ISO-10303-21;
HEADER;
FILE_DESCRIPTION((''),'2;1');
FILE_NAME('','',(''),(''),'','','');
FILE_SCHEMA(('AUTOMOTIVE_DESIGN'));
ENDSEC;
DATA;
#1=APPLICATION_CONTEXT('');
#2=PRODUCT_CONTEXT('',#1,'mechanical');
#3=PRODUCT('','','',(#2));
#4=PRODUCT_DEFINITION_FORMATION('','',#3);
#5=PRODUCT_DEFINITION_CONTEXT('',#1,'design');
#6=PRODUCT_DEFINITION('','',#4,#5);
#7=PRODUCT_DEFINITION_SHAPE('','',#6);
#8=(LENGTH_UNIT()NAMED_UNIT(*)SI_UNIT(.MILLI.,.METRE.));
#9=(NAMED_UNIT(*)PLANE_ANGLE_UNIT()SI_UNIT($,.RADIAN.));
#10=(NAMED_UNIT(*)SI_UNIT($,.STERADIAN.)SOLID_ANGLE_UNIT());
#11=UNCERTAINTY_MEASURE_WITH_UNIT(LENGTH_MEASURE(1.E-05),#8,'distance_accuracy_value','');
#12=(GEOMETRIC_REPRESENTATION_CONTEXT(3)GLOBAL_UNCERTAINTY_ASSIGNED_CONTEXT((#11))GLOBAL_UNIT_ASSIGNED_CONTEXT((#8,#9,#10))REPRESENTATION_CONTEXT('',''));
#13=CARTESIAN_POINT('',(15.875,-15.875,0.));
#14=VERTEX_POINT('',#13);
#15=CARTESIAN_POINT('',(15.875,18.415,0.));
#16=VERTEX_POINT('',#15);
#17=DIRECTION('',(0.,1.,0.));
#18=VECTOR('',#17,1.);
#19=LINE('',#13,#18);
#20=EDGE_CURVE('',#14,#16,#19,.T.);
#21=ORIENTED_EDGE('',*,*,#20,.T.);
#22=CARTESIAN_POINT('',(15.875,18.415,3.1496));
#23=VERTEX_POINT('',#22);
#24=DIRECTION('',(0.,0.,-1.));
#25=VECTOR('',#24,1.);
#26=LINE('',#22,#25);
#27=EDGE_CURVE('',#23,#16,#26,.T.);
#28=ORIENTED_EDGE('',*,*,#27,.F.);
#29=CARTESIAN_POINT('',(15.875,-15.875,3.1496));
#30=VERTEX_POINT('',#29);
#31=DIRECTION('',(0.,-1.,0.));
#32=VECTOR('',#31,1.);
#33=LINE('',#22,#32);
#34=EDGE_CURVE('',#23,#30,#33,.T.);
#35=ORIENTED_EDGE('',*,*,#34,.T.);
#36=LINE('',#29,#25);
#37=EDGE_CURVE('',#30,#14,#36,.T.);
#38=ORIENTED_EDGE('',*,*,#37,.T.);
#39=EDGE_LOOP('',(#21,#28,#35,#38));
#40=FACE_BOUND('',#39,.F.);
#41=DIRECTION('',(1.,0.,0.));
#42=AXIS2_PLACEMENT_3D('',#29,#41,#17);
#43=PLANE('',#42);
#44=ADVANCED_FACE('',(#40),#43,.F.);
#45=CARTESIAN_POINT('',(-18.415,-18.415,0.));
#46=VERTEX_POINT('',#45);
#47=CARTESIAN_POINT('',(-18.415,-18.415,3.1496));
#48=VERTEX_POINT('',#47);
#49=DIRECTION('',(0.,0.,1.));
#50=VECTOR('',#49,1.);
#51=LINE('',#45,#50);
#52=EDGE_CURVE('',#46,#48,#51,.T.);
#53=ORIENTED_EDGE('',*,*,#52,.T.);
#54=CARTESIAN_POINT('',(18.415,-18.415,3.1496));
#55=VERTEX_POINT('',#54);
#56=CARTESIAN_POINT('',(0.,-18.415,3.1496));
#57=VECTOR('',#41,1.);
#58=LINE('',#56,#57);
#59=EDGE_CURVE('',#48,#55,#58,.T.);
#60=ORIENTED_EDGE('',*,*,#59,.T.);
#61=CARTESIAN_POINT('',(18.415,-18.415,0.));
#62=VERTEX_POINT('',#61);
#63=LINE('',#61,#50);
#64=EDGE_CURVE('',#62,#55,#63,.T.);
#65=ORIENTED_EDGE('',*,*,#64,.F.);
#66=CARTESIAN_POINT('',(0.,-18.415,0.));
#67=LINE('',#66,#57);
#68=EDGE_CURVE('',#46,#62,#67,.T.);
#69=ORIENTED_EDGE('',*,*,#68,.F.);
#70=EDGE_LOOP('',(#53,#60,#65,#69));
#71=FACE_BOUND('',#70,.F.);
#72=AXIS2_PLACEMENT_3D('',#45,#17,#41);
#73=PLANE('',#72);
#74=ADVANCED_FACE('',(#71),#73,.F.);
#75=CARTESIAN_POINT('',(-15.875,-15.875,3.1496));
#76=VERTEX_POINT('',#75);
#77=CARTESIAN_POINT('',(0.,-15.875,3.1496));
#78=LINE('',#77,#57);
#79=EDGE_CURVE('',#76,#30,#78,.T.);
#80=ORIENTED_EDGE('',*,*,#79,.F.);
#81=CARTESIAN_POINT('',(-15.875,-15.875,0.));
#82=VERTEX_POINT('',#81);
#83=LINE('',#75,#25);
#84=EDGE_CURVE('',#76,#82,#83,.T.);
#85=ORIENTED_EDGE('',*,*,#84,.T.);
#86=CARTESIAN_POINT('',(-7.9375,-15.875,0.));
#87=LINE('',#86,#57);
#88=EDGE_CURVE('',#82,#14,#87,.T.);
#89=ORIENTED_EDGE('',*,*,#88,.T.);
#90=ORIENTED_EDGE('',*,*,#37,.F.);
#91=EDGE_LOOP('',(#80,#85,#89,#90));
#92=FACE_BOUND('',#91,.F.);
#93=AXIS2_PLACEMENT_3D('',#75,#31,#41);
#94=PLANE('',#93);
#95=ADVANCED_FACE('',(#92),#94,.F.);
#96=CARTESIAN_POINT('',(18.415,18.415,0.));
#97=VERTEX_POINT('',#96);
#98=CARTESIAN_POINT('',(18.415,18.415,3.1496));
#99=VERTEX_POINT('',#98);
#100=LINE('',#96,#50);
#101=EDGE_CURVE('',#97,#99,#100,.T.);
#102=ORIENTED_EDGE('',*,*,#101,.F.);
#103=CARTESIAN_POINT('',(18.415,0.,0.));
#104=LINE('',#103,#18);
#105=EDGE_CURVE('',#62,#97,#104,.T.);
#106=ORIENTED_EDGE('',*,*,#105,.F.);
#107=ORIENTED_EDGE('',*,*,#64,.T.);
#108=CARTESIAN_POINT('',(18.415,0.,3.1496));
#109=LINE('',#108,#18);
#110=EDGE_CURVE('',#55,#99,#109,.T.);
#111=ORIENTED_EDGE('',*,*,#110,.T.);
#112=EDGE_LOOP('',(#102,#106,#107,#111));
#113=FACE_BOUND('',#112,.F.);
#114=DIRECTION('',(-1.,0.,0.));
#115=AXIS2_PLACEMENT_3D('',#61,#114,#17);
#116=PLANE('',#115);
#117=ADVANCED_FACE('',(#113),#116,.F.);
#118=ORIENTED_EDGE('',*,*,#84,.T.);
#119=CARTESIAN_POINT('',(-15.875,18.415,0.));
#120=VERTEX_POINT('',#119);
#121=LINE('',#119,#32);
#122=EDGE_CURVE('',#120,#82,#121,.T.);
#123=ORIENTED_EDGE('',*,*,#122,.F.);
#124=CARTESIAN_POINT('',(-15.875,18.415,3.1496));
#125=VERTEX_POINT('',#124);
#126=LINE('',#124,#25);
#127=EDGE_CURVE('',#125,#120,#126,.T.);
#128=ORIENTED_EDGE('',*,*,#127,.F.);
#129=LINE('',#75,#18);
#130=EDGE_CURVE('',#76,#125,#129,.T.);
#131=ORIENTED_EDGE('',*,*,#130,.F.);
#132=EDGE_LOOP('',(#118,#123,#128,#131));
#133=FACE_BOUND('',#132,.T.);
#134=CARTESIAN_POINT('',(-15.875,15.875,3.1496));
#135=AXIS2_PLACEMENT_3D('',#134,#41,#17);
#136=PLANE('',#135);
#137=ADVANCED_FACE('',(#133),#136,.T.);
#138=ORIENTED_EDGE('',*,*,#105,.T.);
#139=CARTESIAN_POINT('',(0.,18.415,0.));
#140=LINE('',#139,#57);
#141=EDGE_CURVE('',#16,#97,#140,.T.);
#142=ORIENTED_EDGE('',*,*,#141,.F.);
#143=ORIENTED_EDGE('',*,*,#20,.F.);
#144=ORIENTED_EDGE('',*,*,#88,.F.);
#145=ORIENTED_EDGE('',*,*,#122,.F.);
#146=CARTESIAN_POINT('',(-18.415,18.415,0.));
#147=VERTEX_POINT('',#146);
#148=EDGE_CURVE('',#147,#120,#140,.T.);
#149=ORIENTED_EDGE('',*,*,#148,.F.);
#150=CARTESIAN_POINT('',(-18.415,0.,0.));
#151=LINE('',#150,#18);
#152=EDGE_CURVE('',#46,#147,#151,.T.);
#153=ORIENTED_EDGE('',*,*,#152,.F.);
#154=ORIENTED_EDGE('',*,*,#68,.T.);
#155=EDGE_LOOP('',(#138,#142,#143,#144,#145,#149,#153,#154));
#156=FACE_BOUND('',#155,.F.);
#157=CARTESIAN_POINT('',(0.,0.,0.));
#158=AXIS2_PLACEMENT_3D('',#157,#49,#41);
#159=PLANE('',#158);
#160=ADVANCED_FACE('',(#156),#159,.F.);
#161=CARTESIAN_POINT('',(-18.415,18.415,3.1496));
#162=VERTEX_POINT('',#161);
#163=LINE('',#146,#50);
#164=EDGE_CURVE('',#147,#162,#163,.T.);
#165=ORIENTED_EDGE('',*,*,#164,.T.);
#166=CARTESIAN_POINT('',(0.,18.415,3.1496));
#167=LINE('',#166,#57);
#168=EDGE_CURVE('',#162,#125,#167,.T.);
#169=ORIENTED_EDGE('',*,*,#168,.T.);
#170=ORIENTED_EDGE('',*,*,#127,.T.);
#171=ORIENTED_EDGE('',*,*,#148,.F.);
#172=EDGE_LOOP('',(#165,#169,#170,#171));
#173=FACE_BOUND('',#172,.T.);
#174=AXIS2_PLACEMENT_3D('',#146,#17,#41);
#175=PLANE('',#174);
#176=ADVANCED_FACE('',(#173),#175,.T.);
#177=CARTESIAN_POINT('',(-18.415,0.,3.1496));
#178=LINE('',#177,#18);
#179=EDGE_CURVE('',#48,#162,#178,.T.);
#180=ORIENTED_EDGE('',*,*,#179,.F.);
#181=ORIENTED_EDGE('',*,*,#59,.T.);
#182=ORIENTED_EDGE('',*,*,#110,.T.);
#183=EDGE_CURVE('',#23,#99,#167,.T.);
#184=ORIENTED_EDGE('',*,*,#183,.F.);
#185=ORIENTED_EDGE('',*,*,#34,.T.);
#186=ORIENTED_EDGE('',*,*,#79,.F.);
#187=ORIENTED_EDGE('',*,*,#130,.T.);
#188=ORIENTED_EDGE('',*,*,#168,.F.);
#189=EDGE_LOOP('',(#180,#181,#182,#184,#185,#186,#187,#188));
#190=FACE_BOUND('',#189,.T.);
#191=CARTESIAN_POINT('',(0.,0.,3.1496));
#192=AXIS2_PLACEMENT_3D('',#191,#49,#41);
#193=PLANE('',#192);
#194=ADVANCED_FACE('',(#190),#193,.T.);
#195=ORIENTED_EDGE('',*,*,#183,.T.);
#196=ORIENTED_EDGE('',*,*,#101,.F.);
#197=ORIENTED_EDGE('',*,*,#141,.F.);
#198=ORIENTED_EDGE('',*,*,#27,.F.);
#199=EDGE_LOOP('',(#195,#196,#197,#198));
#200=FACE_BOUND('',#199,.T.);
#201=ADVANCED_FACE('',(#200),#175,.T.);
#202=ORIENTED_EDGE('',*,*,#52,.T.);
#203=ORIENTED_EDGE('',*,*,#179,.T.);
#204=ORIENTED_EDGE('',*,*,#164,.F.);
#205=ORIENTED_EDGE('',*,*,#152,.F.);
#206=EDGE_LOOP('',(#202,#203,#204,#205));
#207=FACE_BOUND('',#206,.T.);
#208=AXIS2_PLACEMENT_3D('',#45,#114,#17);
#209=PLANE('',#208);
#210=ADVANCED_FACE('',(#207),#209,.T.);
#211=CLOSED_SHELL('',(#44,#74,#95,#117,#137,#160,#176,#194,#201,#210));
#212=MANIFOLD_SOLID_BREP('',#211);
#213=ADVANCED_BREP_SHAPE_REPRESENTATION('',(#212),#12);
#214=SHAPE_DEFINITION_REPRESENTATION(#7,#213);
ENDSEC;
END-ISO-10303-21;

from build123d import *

# Parameters (mm, degrees)
F0_W     = 36.83
F0_H     = 36.83
F1_DEPTH = 3.1496
F2_W     = 31.75
F2_H     = 31.75
F3_DEPTH = 25.4
F4_W     = 31.75
F4_H     = 2.54
F5_DEPTH = 25.4


with BuildPart() as f1:
    # F0 (on Top) → F1 (new body)
    with BuildSketch(Plane.XY):
        Rectangle(F0_W, F0_H)
    extrude(amount=F1_DEPTH)

    # F2 (on face) → F3 (cut)
    with BuildSketch(Plane.XY.offset(3.1496)):
        Rectangle(F2_W, F2_H)
    extrude(amount=-F3_DEPTH, mode=Mode.SUBTRACT)

    # F4 (on face) → F5 (cut)
    with BuildSketch(Plane.XY.offset(3.1496)):
        with Locations((0, 17.145)):
            Rectangle(F4_W, F4_H)
    extrude(amount=-F5_DEPTH, mode=Mode.SUBTRACT)


solid = f1.part
